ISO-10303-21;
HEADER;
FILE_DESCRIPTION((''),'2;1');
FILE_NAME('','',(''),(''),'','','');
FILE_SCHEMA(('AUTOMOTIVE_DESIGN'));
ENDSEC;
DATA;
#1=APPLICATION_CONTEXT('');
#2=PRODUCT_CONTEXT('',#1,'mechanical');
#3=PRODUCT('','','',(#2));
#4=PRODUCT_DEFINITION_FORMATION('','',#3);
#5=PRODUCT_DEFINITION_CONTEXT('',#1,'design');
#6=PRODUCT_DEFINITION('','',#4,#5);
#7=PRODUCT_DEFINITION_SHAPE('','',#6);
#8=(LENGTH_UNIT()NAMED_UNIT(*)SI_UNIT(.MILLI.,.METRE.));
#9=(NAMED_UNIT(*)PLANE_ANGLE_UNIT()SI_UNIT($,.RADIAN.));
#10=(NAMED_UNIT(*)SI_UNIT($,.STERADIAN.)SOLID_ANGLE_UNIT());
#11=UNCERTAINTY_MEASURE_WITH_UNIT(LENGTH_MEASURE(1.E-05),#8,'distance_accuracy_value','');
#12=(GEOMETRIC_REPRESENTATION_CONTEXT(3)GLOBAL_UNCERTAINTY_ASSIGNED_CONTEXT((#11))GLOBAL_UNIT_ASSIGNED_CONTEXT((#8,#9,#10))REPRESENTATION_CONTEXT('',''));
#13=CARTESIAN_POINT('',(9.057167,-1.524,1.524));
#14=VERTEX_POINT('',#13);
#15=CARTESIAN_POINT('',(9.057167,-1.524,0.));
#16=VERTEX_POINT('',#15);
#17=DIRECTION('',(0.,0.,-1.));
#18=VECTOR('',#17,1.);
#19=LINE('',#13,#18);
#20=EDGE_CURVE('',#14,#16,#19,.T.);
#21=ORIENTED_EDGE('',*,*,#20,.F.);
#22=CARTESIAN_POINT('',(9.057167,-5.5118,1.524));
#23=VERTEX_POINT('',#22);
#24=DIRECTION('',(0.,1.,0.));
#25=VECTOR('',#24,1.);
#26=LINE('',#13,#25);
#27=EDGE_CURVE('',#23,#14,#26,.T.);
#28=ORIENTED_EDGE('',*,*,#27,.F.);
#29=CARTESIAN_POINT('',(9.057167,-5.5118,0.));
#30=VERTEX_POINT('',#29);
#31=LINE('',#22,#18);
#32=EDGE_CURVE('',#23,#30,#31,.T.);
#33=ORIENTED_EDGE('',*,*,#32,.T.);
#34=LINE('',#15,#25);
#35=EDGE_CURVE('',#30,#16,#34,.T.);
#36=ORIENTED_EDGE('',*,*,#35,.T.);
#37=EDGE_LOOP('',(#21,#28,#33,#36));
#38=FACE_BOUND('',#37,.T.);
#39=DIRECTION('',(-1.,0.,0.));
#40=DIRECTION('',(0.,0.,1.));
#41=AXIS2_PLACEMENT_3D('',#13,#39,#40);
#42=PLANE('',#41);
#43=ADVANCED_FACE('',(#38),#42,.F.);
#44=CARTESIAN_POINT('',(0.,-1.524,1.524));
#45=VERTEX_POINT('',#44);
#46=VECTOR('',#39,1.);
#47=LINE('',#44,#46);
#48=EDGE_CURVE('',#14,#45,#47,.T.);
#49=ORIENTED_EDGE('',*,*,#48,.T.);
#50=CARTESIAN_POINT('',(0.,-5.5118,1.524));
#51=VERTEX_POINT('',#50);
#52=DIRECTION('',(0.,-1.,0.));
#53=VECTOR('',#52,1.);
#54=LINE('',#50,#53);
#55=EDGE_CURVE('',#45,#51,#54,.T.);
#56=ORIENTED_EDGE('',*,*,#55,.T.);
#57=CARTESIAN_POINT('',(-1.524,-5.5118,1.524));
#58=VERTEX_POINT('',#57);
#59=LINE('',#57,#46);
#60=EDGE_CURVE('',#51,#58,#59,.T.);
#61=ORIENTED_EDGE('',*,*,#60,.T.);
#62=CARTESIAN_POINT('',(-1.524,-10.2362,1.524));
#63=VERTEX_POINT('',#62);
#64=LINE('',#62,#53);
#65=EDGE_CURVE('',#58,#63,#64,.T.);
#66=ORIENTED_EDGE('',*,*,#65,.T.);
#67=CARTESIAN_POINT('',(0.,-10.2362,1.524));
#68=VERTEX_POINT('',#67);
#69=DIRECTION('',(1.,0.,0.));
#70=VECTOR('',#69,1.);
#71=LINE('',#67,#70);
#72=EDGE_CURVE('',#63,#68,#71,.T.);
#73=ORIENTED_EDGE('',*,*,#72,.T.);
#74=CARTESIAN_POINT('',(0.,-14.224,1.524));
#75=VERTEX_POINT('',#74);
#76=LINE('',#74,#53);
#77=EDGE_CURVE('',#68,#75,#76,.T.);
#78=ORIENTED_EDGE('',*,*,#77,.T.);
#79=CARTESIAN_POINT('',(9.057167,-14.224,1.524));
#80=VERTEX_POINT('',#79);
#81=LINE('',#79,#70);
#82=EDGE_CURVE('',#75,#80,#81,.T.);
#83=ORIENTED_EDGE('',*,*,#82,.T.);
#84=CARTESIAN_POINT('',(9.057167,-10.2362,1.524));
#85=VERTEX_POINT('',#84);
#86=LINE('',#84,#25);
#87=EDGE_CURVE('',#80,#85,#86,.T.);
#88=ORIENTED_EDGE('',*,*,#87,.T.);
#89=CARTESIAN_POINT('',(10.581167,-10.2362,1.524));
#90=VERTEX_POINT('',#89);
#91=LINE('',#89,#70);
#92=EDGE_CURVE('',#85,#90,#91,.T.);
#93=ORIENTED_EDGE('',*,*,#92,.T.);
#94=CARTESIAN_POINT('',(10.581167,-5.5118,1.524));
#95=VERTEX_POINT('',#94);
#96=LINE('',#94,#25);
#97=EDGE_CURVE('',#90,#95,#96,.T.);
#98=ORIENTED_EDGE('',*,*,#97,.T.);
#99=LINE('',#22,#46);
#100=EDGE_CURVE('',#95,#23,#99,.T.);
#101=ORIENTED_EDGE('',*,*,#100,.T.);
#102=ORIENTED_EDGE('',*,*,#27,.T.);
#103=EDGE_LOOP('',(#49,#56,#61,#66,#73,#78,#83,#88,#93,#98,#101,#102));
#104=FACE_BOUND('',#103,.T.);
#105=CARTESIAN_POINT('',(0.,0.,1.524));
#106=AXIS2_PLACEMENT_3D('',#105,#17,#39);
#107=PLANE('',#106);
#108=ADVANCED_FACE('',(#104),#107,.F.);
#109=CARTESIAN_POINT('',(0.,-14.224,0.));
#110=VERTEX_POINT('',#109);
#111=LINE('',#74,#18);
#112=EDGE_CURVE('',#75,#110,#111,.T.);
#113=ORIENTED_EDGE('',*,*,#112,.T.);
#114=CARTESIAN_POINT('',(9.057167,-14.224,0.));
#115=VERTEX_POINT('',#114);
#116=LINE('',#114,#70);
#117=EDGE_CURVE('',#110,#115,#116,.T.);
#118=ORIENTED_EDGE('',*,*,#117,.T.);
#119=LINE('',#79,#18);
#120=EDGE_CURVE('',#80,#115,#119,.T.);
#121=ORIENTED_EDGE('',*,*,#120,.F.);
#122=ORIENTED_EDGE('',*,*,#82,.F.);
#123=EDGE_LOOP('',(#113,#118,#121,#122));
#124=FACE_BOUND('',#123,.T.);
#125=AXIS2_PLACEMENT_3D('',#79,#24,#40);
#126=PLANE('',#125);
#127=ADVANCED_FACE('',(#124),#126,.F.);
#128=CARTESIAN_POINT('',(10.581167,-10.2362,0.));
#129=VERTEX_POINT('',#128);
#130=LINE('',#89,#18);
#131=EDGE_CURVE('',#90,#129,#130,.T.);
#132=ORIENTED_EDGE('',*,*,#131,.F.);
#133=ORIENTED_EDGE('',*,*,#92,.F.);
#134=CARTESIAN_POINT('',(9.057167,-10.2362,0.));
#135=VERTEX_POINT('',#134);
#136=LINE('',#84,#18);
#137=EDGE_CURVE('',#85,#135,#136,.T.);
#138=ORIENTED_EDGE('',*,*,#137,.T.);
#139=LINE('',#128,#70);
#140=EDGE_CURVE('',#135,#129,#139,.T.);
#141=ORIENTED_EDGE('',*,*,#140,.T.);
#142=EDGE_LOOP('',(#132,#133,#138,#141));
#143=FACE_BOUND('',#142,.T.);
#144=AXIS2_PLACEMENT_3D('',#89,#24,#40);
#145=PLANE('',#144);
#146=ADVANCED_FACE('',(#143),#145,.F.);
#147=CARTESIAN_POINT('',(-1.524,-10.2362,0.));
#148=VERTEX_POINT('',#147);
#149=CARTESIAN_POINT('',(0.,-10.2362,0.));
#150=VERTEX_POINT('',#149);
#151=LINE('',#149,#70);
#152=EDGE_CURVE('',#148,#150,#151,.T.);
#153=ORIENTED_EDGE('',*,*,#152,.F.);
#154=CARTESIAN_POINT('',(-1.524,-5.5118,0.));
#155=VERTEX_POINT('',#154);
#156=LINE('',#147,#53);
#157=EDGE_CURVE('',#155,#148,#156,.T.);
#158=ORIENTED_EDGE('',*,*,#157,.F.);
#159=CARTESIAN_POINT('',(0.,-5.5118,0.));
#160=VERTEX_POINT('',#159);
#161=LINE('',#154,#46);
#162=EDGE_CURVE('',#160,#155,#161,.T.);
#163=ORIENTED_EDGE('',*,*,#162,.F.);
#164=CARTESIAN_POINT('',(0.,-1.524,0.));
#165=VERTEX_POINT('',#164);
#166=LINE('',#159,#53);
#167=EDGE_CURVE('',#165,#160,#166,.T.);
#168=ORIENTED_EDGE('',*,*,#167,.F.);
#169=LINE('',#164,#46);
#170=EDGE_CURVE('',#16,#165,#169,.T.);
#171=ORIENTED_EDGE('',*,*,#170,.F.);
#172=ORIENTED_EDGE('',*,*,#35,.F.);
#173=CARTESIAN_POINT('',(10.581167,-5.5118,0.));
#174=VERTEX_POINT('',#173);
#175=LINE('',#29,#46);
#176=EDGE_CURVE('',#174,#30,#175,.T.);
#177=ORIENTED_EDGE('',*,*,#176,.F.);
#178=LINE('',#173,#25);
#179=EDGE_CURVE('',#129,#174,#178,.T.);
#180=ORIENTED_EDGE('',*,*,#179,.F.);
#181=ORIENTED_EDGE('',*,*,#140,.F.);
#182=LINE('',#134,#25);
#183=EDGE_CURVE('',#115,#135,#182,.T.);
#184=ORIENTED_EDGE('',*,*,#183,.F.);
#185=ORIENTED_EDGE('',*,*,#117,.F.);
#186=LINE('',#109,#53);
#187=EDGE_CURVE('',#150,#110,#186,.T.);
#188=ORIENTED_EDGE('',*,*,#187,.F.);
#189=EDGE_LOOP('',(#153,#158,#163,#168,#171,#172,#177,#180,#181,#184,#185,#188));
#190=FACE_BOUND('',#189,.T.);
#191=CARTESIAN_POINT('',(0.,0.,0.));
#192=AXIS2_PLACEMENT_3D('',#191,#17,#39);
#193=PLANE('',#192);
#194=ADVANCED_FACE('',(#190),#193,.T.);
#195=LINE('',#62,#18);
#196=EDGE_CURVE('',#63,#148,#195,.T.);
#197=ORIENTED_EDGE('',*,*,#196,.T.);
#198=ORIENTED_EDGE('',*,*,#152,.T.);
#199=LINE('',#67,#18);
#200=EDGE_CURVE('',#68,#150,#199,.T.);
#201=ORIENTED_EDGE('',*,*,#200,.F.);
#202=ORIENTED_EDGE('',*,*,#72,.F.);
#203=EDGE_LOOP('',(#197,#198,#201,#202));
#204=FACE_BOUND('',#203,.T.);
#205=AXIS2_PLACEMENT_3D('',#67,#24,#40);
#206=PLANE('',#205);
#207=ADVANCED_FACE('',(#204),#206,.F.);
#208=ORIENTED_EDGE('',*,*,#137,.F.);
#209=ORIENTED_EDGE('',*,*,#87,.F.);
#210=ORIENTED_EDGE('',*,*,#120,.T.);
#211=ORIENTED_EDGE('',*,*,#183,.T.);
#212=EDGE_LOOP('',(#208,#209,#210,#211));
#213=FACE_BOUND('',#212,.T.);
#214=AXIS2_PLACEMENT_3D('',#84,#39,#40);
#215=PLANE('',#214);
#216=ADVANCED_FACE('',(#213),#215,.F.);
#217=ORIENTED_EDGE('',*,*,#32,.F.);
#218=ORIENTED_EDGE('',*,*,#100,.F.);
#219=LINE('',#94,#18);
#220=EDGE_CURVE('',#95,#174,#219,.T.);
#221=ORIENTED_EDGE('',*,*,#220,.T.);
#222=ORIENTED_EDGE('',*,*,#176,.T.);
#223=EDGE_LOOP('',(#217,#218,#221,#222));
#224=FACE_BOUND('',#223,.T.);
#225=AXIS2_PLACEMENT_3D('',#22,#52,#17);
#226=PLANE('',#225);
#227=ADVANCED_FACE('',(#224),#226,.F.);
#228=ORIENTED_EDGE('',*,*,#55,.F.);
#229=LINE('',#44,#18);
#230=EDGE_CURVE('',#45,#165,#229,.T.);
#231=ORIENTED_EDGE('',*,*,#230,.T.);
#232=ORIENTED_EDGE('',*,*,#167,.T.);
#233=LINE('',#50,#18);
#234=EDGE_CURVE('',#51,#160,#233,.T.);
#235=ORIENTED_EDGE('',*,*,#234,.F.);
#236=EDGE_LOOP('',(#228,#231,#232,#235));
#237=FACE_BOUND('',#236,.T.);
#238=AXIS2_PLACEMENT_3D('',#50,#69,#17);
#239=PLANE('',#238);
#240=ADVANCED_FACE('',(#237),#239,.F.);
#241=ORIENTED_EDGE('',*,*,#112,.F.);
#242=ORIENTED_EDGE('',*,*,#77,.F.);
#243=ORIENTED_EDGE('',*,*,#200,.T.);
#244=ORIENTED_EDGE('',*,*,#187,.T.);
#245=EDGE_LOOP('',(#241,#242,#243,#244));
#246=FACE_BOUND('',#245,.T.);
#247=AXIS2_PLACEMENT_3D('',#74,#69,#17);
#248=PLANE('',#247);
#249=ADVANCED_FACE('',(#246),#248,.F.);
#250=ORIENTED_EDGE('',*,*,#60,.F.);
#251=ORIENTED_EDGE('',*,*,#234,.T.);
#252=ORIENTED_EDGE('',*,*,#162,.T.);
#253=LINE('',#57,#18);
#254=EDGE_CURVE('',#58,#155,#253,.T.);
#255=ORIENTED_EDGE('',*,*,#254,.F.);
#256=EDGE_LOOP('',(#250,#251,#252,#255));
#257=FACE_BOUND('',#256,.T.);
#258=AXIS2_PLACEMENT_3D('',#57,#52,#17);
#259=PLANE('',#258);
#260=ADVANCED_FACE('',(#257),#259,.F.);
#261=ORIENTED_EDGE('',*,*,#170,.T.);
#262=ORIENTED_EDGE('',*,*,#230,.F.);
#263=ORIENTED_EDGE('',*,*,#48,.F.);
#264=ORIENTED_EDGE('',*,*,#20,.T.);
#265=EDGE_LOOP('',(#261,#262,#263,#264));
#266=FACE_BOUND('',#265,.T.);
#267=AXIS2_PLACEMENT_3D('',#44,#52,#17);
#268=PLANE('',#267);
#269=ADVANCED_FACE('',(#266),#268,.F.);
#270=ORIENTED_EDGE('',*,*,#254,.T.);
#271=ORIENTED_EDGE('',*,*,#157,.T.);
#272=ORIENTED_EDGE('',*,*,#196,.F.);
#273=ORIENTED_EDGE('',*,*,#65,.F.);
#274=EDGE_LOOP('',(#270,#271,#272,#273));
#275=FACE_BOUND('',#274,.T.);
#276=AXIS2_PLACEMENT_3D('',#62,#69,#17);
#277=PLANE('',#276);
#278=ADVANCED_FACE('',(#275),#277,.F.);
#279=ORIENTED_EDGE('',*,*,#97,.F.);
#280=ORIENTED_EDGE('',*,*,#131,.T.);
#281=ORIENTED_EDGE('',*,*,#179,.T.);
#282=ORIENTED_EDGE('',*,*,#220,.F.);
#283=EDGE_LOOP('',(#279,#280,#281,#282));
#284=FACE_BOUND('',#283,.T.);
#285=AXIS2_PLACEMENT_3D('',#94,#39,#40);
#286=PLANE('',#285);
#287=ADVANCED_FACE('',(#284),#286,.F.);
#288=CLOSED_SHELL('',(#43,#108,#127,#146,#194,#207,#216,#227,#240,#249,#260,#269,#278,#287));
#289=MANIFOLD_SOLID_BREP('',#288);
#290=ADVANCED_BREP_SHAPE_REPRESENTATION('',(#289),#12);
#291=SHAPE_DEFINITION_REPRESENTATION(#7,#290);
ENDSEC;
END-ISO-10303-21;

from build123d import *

# Parameters (mm, degrees)
BOSS_EXTRUDE1_DEPTH = 1.524


with BuildPart() as part:
    # Sketch1 → Boss-Extrude1 (new body)
    with BuildSketch(Plane.XY):
        Polygon((0, -14.224), (0, -10.2362), (-1.524, -10.2362), (-1.524, -5.5118), (0, -5.5118), (0, -1.524), (9.057166935, -1.524), (9.057166935, -5.5118), (10.581166935, -5.5118), (10.581166935, -10.2362), (9.057166935, -10.2362), (9.057166935, -14.224), align=None)
    extrude(amount=BOSS_EXTRUDE1_DEPTH)


solid = part.part
